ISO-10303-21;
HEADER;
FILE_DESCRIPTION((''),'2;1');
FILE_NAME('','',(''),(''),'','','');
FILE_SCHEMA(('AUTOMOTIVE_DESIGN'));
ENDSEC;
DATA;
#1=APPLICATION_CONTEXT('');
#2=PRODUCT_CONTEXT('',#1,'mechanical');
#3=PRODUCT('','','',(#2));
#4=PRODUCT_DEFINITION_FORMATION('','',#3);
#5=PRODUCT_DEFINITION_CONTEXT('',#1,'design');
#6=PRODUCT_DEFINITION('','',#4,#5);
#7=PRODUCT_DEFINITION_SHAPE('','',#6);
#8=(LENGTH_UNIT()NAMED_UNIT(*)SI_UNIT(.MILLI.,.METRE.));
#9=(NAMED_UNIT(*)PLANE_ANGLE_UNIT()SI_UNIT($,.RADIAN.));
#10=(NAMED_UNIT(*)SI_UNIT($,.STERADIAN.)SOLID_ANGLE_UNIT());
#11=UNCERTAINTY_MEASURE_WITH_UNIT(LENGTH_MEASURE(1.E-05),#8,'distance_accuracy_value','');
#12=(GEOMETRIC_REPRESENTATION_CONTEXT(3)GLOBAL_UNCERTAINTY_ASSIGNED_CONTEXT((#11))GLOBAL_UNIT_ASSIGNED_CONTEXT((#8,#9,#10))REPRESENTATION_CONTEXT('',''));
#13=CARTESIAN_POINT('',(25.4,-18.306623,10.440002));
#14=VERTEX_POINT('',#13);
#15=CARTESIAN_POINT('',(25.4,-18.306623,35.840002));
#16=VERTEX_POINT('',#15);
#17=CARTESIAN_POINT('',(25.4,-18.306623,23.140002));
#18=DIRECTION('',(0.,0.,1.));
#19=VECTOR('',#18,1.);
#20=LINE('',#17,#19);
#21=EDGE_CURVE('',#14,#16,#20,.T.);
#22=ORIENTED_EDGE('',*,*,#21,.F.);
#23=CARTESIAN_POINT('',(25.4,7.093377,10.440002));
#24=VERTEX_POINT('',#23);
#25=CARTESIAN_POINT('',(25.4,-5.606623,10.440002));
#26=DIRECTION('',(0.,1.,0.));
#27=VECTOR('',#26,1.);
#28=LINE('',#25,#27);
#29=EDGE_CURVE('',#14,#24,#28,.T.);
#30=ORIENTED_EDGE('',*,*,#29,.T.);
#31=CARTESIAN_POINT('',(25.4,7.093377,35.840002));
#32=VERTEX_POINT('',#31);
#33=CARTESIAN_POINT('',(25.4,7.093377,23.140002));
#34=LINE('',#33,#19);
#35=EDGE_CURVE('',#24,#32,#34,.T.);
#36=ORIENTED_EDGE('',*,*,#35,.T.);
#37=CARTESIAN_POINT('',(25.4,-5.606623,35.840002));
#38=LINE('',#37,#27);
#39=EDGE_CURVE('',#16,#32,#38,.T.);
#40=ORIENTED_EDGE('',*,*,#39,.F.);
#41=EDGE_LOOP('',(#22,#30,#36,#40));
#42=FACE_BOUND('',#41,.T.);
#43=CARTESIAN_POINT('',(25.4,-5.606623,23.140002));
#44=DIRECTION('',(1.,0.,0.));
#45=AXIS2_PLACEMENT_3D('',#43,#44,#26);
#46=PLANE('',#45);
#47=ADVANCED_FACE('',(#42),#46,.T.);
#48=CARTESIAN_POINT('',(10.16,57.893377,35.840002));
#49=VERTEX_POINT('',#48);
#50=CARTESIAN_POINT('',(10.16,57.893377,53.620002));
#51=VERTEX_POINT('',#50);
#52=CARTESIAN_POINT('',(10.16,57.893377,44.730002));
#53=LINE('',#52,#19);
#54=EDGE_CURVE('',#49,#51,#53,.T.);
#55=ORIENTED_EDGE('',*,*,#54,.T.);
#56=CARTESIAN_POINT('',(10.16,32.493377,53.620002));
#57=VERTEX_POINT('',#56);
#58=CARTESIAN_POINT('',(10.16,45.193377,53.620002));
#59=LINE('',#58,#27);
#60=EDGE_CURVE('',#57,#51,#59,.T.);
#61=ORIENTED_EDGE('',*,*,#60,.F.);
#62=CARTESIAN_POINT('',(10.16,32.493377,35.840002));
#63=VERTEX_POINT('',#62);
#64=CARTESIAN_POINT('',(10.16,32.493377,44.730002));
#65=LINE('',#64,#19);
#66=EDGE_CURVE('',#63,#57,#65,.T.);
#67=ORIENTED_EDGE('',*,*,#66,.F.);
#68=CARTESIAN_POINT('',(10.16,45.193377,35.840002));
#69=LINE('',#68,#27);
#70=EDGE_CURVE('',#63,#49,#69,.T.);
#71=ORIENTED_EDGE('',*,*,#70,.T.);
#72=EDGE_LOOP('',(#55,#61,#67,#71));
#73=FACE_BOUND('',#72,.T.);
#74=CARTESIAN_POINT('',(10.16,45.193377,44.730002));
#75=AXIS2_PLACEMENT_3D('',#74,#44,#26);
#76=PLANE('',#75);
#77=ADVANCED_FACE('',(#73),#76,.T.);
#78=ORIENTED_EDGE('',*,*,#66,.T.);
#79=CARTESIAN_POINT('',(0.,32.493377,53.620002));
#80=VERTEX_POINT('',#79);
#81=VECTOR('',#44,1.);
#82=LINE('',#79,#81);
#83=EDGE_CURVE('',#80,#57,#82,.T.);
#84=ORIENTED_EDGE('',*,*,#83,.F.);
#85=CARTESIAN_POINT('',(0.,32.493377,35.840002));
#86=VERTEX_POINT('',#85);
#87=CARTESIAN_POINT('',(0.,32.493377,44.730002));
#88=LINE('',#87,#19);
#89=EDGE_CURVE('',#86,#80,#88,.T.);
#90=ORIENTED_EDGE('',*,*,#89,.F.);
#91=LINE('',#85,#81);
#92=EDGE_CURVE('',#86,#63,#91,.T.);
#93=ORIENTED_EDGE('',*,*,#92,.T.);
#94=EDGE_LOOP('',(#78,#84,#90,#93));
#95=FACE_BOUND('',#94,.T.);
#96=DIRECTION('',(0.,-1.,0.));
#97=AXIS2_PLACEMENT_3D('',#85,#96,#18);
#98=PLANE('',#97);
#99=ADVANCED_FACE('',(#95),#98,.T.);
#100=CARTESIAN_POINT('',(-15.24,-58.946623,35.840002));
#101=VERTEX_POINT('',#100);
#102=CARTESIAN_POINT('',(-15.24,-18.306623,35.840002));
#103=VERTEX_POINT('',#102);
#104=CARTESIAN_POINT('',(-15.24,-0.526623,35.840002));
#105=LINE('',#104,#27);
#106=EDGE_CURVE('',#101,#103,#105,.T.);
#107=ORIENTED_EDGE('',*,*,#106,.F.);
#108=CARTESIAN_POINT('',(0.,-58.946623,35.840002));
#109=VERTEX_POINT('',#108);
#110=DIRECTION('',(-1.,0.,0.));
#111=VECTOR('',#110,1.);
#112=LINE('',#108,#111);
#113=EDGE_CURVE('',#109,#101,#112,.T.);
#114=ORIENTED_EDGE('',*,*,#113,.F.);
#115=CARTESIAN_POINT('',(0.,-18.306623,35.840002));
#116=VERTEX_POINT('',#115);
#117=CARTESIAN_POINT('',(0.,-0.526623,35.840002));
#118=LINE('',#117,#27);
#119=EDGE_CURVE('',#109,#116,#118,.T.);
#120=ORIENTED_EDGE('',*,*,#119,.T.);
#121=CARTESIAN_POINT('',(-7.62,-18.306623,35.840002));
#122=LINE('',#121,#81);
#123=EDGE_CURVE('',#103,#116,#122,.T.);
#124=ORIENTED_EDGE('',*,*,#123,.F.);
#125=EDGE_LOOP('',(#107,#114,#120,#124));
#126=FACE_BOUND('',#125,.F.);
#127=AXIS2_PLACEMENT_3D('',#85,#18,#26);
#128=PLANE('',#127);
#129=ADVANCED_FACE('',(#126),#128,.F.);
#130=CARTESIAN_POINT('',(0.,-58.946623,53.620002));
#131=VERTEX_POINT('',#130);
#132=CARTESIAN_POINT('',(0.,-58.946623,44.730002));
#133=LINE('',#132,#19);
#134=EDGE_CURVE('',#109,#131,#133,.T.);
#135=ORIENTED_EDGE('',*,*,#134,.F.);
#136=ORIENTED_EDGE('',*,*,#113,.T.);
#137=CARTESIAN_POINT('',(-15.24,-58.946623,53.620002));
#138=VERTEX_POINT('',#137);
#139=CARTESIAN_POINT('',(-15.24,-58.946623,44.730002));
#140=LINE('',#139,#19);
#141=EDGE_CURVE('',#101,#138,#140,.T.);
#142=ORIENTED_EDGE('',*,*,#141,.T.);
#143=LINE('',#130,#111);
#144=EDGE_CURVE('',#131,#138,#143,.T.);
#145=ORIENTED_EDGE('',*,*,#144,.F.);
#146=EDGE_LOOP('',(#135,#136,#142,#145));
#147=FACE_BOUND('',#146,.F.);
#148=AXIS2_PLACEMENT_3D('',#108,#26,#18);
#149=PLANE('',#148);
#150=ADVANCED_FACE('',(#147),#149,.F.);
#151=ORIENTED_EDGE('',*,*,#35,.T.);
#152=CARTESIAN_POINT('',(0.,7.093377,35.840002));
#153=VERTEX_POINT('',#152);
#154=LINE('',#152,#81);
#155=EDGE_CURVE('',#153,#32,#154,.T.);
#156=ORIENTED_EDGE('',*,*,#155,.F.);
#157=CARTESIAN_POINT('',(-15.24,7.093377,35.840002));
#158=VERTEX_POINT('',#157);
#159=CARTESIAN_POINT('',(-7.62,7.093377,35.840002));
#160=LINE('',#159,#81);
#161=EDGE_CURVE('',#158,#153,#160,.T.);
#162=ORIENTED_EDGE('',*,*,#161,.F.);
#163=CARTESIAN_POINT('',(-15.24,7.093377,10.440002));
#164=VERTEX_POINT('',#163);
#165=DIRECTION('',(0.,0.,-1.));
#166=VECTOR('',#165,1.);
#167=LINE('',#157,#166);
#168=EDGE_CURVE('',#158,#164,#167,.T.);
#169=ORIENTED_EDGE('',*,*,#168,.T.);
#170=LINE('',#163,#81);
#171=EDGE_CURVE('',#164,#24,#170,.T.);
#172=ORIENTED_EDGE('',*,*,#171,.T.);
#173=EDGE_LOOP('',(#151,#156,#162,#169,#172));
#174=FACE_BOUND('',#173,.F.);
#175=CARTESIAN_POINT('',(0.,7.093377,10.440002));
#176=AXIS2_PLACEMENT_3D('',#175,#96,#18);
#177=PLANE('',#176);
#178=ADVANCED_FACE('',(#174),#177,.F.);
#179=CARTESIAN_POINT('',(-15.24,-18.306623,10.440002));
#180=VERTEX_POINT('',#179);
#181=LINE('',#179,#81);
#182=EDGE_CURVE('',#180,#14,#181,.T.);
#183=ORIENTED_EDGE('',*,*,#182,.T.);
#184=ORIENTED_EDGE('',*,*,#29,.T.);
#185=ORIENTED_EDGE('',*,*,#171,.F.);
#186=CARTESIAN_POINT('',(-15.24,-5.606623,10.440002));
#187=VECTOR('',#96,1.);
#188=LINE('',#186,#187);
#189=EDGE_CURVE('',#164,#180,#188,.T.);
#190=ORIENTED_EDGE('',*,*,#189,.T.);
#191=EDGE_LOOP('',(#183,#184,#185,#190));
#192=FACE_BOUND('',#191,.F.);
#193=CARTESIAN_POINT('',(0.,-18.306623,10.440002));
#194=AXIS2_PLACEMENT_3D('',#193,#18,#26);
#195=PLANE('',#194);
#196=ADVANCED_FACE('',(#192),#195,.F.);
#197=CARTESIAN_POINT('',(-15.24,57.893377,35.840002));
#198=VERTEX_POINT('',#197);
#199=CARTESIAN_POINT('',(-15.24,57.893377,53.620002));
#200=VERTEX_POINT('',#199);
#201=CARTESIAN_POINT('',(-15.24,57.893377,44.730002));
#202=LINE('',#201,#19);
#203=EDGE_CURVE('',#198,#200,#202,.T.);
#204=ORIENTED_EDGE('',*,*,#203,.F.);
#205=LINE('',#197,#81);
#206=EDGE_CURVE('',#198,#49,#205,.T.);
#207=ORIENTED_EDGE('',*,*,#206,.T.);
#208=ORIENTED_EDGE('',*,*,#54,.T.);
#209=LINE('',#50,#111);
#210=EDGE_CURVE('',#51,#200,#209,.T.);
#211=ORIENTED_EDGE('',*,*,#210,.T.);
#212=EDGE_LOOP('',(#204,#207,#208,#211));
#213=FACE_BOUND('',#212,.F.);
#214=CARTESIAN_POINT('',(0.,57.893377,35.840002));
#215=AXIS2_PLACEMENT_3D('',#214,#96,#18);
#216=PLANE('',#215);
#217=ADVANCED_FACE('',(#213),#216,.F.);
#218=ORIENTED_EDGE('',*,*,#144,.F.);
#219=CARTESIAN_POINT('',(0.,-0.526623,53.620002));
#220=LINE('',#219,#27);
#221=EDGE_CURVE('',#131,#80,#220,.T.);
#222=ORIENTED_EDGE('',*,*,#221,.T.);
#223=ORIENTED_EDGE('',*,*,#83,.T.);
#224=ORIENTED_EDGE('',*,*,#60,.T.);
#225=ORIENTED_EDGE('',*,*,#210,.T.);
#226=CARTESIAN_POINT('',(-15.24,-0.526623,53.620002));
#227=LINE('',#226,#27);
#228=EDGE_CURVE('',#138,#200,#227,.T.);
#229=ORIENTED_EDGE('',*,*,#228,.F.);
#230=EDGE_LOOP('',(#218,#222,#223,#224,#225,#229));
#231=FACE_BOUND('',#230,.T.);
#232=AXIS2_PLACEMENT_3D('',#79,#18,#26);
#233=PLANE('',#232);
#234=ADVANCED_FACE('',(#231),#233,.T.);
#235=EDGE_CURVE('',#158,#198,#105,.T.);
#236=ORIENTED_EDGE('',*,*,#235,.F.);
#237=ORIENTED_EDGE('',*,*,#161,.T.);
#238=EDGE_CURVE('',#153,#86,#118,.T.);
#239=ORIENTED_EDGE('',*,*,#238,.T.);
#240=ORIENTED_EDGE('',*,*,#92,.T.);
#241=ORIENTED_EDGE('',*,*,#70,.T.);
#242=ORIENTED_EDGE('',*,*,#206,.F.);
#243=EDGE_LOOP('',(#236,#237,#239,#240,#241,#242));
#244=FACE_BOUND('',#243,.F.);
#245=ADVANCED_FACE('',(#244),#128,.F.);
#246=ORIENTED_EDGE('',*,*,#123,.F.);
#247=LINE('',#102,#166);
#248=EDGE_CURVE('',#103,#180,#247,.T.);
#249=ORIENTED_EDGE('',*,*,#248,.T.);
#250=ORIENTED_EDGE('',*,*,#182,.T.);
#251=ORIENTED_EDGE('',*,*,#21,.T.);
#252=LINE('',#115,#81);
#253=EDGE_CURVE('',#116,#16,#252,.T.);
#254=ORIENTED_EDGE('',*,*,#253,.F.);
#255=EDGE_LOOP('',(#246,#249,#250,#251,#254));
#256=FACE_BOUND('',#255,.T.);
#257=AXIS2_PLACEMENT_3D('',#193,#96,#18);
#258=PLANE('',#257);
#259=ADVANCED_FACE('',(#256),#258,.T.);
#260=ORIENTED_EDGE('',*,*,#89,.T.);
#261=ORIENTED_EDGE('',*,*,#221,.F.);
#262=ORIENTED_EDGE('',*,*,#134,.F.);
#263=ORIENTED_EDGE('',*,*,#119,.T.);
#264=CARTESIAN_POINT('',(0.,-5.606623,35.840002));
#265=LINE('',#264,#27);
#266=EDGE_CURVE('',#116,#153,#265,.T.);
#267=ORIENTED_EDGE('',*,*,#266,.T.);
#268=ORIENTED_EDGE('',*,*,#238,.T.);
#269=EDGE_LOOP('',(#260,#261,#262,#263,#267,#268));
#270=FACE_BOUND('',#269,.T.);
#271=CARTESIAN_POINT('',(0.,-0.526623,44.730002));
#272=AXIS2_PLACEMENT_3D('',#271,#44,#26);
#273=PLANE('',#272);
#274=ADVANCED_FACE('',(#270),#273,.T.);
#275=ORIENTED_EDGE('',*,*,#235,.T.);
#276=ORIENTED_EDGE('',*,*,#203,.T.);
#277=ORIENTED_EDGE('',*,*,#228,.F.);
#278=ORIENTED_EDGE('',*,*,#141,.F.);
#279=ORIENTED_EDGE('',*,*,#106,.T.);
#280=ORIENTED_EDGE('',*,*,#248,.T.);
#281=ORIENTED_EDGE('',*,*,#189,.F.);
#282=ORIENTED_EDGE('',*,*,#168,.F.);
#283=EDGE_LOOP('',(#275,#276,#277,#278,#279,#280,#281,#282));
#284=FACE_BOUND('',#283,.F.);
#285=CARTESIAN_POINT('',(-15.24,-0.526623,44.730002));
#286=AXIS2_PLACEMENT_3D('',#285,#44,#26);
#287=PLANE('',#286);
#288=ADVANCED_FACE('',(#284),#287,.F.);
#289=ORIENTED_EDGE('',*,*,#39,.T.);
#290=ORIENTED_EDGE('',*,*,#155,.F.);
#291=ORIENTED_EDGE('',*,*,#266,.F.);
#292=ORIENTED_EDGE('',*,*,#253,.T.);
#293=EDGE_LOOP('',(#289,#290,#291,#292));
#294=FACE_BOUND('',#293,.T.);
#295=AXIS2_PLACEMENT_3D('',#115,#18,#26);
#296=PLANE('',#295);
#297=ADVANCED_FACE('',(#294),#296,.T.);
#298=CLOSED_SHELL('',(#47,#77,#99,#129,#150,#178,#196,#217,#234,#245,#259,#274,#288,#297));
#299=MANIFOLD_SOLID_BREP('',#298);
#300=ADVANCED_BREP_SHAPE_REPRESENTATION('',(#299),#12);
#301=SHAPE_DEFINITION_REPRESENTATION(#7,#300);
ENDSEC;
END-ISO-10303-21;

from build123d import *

# Parameters (mm, degrees)
F0_W     = 116.84
F0_H     = 17.78
F1_DEPTH = 15.24
F2_W     = 25.4
F2_H     = 17.78
F3_DEPTH = 10.16
F4_W     = 15.24
F4_H     = 25.4
F5_DEPTH = 25.4
F6_W     = 25.4
F6_H     = 25.4
F7_DEPTH = 25.4


with BuildPart() as f1:
    # F0 (on Right) → F1 (new body)
    with BuildSketch(Plane.YZ):
        with Locations((-0.526623, 44.730002)):
            Rectangle(F0_W, F0_H)
    extrude(amount=-F1_DEPTH)

    # F2 (on face) → F3 (join)
    with BuildSketch(Plane.YZ):
        with Locations((45.193377, 44.730002)):
            Rectangle(F2_W, F2_H)
    extrude(amount=F3_DEPTH)

    # F4 (on face) → F5 (join)
    with BuildSketch(Plane(origin=(0, 0, 35.840002), x_dir=(1, 0, 0), z_dir=(0, 0, -1))):
        with Locations((-7.62, 5.606623)):
            Rectangle(F4_W, F4_H)
    extrude(amount=F5_DEPTH)

    # F6 (on face) → F7 (join)
    with BuildSketch(Plane.YZ):
        with Locations((-5.606623, 23.140002)):
            Rectangle(F6_W, F6_H)
    extrude(amount=F7_DEPTH)


solid = f1.part
